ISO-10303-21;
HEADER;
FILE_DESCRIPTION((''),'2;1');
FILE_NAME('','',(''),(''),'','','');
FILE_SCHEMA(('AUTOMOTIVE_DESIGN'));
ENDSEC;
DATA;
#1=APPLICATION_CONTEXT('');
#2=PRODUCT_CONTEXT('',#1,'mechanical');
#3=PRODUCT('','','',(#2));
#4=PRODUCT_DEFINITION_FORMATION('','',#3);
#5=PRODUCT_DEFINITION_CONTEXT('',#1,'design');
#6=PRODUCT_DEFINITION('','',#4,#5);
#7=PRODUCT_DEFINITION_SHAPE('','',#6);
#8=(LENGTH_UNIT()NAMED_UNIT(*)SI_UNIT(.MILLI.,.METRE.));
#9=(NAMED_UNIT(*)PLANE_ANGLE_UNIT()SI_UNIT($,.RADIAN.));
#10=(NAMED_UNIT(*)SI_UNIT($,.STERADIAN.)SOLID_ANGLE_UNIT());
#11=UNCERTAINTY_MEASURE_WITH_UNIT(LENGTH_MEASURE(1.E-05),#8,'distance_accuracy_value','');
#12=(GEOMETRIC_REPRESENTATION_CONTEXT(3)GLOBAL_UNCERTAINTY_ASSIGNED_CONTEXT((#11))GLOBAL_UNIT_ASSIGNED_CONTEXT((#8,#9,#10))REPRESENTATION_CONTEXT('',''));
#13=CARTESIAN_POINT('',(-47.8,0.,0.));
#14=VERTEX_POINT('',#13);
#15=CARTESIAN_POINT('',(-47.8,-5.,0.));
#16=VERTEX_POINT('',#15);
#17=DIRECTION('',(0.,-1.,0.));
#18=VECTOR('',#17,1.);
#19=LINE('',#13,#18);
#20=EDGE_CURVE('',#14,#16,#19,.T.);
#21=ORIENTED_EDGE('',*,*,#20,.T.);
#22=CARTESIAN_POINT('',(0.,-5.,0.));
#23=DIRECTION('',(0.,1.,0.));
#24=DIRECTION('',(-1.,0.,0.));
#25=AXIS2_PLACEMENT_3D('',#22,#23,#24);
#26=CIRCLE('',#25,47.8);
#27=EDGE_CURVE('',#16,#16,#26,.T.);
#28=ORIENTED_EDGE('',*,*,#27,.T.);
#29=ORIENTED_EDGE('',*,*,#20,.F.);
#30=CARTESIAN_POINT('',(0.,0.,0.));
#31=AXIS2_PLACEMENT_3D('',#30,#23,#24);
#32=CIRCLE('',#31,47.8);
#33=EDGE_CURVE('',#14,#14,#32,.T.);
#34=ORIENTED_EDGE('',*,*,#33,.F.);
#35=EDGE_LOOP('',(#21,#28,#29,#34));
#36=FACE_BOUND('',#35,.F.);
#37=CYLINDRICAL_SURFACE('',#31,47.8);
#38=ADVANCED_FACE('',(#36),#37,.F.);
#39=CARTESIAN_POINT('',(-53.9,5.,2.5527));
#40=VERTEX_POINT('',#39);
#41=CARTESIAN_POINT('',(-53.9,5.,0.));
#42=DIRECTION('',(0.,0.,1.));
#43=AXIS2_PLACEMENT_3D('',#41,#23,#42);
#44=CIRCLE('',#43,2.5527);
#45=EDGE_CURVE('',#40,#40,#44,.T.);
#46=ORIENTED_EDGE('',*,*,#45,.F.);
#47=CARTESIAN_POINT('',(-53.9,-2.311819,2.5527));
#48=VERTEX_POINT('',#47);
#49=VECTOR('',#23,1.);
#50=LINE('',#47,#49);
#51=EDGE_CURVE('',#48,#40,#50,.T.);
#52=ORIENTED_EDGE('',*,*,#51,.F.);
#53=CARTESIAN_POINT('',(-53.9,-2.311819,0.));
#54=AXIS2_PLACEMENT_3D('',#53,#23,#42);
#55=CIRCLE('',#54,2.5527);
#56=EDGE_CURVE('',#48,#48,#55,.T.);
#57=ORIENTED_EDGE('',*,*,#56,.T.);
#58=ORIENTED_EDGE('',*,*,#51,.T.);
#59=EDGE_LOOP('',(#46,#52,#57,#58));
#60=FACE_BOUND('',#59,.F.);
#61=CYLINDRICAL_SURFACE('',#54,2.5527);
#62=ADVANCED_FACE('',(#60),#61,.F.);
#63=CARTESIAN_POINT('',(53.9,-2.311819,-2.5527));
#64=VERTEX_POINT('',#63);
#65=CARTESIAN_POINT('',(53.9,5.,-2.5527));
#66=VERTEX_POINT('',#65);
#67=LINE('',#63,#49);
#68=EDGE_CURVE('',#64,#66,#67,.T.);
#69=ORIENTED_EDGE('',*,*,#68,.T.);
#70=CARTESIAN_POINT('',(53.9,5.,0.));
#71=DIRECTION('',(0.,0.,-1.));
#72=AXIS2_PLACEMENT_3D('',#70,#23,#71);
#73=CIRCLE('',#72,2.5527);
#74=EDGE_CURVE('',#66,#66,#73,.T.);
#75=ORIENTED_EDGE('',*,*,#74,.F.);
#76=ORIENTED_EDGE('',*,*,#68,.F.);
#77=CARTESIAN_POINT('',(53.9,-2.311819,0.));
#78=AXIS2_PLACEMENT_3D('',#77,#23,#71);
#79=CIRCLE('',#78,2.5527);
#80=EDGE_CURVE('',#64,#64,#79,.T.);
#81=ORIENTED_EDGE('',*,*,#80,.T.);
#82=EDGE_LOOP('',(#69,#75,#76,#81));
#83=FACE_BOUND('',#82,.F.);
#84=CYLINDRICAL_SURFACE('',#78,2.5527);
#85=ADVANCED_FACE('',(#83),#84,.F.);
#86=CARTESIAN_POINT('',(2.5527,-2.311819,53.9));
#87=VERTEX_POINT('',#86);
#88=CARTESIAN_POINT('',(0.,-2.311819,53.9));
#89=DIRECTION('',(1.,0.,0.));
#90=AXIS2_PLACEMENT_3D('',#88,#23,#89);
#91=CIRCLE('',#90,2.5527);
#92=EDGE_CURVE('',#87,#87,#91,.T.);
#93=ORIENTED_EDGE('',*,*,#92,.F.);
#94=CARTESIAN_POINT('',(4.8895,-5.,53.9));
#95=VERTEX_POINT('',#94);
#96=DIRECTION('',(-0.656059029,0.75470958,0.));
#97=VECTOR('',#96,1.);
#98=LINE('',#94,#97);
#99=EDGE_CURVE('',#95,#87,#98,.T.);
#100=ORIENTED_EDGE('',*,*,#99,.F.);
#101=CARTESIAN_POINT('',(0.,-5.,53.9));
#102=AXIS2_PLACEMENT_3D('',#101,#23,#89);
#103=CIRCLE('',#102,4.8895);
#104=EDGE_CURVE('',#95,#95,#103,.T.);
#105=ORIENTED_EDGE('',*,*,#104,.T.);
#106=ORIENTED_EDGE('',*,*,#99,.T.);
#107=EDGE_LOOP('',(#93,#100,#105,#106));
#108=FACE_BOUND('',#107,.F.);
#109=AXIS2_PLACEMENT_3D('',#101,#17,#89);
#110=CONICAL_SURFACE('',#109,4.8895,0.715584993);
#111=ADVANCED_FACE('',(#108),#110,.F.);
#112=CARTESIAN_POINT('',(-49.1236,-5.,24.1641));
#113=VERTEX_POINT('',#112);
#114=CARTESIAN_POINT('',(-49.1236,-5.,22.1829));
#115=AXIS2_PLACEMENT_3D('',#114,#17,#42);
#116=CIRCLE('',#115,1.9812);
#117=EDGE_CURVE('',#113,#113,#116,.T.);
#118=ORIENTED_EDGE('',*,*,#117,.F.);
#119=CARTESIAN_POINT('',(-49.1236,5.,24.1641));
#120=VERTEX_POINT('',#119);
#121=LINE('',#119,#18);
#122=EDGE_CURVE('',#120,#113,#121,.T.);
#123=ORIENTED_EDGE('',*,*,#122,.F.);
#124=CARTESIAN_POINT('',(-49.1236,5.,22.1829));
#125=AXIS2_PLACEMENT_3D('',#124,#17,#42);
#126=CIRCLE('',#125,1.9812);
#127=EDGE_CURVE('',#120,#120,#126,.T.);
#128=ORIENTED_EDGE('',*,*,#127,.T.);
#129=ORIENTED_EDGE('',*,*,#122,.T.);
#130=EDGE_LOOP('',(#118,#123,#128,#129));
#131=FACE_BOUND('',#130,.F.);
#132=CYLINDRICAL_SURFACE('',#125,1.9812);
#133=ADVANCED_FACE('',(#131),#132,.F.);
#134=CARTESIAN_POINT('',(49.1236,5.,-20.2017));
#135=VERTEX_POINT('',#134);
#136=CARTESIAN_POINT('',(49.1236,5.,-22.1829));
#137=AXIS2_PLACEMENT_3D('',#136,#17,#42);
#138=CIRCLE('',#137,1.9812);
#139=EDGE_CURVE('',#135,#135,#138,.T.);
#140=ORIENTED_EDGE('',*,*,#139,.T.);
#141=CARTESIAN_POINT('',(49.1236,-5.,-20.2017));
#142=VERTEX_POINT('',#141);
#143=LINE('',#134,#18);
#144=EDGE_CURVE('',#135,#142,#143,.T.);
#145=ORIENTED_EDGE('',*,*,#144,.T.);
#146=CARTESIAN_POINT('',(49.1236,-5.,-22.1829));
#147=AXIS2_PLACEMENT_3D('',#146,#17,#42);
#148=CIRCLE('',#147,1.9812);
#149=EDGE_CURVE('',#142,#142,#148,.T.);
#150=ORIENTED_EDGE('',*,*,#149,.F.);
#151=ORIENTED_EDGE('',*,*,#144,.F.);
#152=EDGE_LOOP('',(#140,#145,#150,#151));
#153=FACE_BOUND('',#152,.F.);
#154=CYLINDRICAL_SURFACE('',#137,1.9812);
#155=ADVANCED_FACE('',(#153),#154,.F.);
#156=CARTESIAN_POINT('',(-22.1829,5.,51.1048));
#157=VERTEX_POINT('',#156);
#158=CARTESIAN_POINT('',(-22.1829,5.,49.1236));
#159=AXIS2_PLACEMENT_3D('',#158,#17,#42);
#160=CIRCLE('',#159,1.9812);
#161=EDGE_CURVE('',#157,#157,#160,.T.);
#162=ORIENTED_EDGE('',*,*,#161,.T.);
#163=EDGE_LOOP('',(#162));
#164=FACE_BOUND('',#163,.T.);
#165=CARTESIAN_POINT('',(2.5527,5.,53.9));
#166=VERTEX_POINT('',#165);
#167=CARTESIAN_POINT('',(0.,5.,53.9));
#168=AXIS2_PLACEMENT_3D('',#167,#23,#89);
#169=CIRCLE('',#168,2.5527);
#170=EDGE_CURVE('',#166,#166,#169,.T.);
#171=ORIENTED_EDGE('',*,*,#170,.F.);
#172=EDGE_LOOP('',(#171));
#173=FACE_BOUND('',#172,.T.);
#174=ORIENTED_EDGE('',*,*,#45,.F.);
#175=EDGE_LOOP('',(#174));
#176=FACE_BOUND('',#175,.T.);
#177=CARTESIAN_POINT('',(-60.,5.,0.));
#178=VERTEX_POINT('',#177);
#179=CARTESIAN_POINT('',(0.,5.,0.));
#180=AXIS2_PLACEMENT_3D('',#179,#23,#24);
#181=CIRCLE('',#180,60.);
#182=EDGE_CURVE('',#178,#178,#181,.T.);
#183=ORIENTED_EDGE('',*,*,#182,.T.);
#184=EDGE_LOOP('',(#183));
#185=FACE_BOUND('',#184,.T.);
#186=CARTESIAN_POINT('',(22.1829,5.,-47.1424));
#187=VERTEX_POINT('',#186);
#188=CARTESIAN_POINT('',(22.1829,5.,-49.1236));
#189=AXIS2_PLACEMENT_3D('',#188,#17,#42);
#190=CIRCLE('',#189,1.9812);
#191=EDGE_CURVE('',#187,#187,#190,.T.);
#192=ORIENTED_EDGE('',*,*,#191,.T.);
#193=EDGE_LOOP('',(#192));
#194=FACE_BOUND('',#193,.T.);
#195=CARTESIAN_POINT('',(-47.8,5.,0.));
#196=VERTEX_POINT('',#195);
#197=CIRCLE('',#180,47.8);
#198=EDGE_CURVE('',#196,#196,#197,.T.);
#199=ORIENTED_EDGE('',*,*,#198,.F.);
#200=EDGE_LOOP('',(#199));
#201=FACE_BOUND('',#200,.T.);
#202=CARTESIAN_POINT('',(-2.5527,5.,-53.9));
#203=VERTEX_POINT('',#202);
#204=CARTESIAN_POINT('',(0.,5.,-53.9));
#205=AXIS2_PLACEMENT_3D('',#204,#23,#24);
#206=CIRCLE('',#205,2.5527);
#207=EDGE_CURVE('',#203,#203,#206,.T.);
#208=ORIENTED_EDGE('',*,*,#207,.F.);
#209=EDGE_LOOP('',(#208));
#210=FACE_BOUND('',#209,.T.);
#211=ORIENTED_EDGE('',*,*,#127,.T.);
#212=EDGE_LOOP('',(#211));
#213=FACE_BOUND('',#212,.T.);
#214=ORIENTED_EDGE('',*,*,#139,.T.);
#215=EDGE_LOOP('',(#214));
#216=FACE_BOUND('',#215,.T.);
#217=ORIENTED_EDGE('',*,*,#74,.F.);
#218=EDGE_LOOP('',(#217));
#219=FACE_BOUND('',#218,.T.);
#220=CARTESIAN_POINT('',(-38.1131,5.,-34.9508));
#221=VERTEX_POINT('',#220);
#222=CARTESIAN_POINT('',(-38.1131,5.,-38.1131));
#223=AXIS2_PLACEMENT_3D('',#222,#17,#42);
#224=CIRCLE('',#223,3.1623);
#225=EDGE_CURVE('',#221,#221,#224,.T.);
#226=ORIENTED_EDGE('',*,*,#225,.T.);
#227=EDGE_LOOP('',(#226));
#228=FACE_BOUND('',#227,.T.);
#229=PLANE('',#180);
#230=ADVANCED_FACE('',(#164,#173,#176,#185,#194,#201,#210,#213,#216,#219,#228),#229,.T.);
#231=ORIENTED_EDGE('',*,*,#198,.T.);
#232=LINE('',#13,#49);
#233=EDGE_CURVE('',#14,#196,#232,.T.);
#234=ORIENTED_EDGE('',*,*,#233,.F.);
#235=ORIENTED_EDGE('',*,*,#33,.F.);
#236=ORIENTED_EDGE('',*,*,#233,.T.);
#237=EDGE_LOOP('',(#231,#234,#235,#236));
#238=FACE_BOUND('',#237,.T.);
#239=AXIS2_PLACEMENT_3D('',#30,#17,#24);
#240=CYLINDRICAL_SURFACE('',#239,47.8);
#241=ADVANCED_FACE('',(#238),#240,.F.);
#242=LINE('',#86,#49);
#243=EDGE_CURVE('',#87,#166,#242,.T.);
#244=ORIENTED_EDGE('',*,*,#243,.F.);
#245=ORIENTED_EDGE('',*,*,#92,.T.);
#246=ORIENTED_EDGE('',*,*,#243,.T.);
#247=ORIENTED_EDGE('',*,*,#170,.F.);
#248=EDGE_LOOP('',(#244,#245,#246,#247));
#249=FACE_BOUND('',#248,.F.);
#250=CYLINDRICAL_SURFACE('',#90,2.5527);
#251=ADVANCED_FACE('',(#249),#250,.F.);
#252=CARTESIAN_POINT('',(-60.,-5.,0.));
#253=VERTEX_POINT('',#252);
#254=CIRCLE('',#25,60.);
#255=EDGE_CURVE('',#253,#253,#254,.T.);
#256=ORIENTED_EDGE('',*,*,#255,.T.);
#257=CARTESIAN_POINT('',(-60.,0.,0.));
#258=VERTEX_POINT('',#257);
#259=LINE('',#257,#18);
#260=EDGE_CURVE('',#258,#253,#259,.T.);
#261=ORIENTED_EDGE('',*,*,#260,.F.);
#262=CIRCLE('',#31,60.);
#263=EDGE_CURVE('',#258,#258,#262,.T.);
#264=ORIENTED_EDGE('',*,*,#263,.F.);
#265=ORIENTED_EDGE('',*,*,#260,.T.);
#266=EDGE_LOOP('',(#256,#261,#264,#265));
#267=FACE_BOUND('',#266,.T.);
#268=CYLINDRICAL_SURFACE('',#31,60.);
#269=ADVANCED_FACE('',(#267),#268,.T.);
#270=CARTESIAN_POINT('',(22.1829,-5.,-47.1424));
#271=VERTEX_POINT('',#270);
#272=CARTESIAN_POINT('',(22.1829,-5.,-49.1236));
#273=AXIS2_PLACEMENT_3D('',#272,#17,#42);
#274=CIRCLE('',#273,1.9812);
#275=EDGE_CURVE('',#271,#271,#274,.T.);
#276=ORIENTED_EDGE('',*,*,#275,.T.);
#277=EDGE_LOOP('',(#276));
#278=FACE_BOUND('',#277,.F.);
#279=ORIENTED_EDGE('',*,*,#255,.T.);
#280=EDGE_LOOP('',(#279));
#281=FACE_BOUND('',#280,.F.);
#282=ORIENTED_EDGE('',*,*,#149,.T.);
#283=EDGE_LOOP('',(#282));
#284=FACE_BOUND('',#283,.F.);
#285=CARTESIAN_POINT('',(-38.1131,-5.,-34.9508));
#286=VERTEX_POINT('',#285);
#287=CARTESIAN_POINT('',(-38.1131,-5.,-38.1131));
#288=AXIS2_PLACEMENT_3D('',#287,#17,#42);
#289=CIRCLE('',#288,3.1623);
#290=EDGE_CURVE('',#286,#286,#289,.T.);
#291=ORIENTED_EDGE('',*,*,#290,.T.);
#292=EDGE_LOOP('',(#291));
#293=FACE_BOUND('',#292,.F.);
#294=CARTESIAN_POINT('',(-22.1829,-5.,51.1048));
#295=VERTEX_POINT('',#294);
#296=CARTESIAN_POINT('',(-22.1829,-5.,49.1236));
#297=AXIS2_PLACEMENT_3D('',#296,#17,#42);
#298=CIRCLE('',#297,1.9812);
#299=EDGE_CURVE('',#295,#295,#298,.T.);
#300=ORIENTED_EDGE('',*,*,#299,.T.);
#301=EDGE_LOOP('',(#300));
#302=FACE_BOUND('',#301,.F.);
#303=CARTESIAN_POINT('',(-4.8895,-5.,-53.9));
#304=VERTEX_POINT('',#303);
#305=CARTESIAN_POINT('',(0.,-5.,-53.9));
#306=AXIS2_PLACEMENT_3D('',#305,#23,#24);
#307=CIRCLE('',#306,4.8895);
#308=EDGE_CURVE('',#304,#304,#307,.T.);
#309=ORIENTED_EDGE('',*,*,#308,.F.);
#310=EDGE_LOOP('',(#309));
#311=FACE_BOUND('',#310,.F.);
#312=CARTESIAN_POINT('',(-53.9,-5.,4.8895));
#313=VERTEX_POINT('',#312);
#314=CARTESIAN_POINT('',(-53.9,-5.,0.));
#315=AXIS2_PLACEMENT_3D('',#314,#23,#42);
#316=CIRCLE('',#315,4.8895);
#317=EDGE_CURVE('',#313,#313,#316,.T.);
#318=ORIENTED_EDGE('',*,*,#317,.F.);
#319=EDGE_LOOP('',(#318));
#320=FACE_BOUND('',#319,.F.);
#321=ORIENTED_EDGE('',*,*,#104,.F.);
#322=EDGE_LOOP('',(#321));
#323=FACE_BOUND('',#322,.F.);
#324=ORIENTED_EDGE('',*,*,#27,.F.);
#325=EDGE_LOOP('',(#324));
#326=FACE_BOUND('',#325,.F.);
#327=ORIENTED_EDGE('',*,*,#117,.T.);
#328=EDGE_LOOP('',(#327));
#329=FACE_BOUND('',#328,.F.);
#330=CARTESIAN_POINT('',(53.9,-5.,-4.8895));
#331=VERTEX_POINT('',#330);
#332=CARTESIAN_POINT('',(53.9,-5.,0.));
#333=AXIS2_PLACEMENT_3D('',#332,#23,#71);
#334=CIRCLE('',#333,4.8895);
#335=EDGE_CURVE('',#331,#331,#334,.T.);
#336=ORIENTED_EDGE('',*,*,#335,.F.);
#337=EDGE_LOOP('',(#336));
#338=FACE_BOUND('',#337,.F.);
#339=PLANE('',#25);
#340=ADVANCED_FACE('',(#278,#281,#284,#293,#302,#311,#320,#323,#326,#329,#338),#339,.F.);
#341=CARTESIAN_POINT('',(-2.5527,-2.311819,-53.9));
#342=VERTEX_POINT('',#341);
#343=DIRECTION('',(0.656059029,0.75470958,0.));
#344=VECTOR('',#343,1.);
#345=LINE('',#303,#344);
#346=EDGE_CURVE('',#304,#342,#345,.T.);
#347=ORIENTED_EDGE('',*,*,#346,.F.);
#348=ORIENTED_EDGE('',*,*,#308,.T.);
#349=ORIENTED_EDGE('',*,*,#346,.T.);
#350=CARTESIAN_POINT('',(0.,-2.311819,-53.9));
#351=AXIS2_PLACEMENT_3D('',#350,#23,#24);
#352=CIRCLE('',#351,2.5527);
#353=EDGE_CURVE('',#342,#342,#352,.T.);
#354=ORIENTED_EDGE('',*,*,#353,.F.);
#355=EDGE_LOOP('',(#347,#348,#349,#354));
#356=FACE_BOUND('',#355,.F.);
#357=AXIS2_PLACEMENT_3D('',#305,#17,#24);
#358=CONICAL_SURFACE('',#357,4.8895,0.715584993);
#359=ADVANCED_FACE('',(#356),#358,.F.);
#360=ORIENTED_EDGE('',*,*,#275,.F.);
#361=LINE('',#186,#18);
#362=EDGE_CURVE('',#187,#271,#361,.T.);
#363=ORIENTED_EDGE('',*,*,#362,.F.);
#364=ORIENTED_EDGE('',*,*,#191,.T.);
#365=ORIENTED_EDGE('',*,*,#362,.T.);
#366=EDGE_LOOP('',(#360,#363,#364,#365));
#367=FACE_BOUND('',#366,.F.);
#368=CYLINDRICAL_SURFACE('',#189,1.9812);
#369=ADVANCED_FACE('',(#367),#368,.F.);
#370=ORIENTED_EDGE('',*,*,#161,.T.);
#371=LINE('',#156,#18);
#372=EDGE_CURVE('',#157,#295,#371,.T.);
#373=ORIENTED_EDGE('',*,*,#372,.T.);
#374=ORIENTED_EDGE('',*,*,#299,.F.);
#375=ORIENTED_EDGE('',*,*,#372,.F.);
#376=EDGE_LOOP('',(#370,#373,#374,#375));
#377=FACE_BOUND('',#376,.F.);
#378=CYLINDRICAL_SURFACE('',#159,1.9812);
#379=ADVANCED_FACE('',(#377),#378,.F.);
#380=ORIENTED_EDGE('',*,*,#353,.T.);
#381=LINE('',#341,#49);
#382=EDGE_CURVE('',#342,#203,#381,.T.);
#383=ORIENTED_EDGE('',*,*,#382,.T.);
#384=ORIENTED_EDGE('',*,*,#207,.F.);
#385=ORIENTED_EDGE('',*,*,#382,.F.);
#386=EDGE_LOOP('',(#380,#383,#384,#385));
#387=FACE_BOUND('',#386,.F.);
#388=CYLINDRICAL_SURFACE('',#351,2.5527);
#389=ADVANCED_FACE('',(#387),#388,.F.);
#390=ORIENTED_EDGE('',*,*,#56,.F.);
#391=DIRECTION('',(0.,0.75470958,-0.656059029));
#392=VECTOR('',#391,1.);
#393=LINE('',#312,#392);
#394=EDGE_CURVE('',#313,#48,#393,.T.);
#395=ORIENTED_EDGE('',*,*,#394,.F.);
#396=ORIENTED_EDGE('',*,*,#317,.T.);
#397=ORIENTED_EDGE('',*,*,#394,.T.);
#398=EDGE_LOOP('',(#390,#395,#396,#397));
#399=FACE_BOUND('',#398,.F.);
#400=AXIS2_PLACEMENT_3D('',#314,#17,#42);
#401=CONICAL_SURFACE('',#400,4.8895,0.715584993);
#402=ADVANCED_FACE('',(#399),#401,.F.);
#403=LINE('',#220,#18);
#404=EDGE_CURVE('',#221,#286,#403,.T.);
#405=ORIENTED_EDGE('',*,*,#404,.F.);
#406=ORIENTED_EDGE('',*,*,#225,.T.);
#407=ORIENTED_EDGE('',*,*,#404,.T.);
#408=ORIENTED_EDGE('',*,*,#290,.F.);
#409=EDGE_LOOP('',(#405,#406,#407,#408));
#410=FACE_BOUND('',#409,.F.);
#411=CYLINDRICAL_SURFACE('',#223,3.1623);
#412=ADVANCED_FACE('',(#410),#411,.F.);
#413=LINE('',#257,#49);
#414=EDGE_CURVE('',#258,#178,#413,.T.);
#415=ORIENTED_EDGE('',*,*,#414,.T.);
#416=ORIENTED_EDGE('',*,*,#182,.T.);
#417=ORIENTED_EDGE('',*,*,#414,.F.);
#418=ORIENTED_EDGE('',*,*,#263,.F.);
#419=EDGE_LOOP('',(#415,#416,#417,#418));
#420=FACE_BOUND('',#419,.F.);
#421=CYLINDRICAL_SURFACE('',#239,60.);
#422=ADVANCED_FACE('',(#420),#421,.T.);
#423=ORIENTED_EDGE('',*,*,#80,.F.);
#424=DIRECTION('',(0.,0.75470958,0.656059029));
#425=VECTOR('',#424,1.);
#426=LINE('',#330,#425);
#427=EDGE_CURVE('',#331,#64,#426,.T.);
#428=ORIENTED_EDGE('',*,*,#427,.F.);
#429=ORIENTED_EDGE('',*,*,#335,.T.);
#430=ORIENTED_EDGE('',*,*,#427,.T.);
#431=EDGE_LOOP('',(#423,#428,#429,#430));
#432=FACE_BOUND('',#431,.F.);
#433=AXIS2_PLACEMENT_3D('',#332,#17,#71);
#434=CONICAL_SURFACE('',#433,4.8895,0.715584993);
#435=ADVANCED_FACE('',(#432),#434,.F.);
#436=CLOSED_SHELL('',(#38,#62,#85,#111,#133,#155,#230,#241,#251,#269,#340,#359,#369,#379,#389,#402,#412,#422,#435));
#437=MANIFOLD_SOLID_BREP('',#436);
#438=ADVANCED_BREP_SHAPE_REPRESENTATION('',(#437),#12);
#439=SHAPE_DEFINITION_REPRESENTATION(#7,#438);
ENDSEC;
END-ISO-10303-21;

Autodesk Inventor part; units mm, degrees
ref_plane "YZ Plane" through (0, 0, 0) normal (1, 0, 0) x (0, 1, 0)
ref_plane "XZ Plane" through (0, 0, 0) normal (0, 1, 0) x (-1, 0, 0)
ref_plane "XY Plane" through (0, 0, 0) normal (0, 0, 1) x (1, 0, 0)
sketch "Sketch1" plane through (0, 0, 0) normal (0, 1, 0) x (-1, 0, 0)
  circle A0 centre (0, 0) radius 35 construction
  circle A1 centre (0, 0) radius 47.8
  circle A2 centre (0, 0) radius 60
  line L0 (0, -35) -> (0, -60) construction
  point P0 (0, -47.5)
  dimension "d0" = 70
  dimension "d1" = 120
  dimension "d42" = 12.2
extrude "Extrusion1" add sketch "Sketch1" along normal mid plane 10
sketch "Sketch3" plane through (0, -5, 0) normal (0, -1, 0) x (1, 0, 0)
  circle A0 centre (0, 0) radius 47.8 construction
  circle A1 centre (0, 0) radius 60 construction
  circle A2 centre (0, 0) radius 47.8 construction
  line L0 (47.8, 0) -> (60, 0) construction
  circle A3 centre (0, 0) radius 47.8 construction
  circle A4 centre (0, 0) radius 60 construction
  point P0 (53.9, 0)
  dimension "d43" = 120
  dimension "d44" = 53.9
hole "Hole2" at (53.9, -5, 0) direction (0, 1, 0) diameter 5.1054 end through all countersink diameter 9.779 countersink angle 82 clearance for "Flat Head Machine Screw (82)" size "#10" standard "Ansi Unified Screw Threads"
pattern_circular "Circular Pattern2" count 4 over 360 about axis through (0, 0, 0) along (0, 1, 0) of "Hole2"
sketch "Sketch4" plane through (0, 5, 0) normal (0, 1, 0) x (1, 0, 0)
  line L0 (22.1829, 49.1236) -> (-49.1236, -22.1829) construction
  line L1 (-49.1236, -22.1829) -> (-22.1829, -49.1236) construction
  line L2 (-22.1829, -49.1236) -> (49.1236, 22.1829) construction
  line L3 (49.1236, 22.1829) -> (22.1829, 49.1236) construction
  line L4 (22.1829, 49.1236) -> (-22.1829, -49.1236) construction
  line L5 (-49.1236, -22.1829) -> (49.1236, 22.1829) construction
  circle A0 centre (0, -53.9) radius 2.5527 construction
  circle A1 centre (-53.9, 0) radius 2.5527 construction
  circle A2 centre (0, 53.9) radius 2.5527 construction
  circle A3 centre (53.9, 0) radius 2.5527 construction
  circle A4 centre (0, 0) radius 47.8 construction
  circle A5 centre (0, 0) radius 60 construction
  circle A6 centre (0, 53.9) radius 2.5527 construction
  circle A7 centre (0, 0) radius 53.9 construction
  circle A8 centre (53.9, 0) radius 2.5527 construction
  line L6 (0, 0) -> (53.9, 0) construction
  point P0 (49.1236, 22.1829)
  point P1 (-49.1236, -22.1829)
  dimension "d25" = 38.1
  dimension "d26" = 45
hole "Hole3" at (22.1829, 5, -49.1236) at (49.1236, 5, -22.1829) at (-49.1236, 5, 22.1829) at (-22.1829, 5, 49.1236) direction (0, -1, 0) diameter 3.9624 end through all thread size "10-32 UNF" class "2B" standard "ANSI Unified Screw Threads"
sketch "Sketch5" plane through (0, 5, 0) normal (0, 1, 0) x (1, 0, 0)
  circle A0 centre (0, 0) radius 60 construction
  line L0 (-42.4264, 42.4264) -> (-33.7997, 33.7997) construction
  circle A1 centre (0, 0) radius 47.8 construction
  circle A2 centre (-53.9, 0) radius 2.5527 construction
  circle A3 centre (53.9, 0) radius 2.5527 construction
  line L1 (-53.9, 0) -> (53.9, 0) construction
  point P0 (-38.1131, 38.1131)
  point P1 (-38.1131, 38.1131)
  dimension "d34" = 45
hole "Hole4" at (-38.1131, 5, -38.1131) direction (0, -1, 0) diameter 6.3246 end through all
properties part number "4in LS-002" material "Aluminum 6061"
